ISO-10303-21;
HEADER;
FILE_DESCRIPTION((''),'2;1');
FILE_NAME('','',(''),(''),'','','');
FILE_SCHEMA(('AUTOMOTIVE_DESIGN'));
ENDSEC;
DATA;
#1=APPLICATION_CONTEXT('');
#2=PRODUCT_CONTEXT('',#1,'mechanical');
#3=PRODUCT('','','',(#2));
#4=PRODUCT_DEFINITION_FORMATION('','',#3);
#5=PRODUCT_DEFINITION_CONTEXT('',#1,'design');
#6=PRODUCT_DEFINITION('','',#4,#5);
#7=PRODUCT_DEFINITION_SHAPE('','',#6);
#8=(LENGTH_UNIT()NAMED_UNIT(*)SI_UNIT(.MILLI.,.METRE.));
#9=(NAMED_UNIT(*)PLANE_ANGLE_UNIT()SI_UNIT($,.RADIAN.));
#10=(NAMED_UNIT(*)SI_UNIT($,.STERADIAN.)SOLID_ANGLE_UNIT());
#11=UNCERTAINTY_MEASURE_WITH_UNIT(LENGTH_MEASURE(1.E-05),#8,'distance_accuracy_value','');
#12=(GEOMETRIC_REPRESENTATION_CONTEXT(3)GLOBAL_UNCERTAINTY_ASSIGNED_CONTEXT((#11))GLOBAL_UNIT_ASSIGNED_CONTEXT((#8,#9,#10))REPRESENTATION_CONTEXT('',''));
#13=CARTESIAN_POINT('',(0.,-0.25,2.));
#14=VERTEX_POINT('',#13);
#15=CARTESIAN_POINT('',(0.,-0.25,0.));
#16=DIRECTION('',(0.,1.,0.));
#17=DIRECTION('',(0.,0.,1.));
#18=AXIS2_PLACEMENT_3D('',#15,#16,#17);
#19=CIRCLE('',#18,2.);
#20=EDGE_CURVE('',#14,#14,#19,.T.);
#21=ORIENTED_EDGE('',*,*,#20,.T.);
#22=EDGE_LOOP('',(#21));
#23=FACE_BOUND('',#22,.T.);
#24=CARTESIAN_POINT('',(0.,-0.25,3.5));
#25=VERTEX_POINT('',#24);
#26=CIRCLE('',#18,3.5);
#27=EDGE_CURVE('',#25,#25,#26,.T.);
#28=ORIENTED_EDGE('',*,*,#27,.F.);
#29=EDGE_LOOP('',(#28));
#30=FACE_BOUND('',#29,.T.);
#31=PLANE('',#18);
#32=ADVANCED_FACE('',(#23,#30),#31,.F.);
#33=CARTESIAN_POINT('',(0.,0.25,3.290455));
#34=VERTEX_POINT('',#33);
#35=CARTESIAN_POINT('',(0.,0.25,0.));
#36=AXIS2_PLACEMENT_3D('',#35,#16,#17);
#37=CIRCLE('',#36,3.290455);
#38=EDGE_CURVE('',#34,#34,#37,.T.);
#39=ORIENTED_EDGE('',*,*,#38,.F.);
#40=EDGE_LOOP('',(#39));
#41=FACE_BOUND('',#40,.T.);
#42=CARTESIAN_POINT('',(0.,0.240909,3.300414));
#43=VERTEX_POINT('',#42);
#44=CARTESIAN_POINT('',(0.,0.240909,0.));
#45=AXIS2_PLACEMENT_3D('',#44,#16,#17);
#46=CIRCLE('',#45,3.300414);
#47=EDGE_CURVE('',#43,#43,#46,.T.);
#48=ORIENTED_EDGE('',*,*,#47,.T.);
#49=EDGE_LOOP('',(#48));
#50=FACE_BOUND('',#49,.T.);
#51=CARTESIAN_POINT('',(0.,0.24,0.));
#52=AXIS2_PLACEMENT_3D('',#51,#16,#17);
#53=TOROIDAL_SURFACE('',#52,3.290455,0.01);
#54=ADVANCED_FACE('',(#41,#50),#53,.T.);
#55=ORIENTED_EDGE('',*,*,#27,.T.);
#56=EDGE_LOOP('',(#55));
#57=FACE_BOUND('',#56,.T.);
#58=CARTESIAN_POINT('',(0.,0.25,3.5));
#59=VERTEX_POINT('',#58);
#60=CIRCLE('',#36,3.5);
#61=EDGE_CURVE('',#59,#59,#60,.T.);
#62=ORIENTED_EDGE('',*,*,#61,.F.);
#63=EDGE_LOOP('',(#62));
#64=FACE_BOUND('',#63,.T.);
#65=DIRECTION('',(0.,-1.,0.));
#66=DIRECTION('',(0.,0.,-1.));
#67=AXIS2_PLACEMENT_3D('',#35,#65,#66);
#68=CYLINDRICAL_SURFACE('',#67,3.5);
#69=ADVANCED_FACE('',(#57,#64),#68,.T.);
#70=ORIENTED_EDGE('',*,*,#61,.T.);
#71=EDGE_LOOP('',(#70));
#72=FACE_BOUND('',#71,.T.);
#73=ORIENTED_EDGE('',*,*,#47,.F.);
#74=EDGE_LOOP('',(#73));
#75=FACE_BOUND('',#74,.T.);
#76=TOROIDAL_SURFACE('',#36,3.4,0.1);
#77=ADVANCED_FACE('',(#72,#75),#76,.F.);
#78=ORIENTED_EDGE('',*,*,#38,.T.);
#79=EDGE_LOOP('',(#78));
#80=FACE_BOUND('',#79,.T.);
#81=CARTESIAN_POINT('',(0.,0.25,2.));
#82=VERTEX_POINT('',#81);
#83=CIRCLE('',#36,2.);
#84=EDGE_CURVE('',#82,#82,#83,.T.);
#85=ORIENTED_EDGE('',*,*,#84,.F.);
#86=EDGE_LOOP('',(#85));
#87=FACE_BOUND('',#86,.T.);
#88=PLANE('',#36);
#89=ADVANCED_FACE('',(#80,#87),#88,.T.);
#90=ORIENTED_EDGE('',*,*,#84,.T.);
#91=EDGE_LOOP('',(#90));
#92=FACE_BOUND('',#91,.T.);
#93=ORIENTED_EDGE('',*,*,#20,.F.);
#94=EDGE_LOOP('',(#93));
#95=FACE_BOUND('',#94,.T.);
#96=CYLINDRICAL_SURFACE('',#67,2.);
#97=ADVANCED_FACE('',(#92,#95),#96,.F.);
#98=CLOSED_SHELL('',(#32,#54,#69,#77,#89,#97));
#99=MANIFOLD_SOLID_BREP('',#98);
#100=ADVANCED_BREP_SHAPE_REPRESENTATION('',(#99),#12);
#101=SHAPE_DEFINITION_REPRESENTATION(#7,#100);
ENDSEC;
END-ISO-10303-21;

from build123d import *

# Parameters (mm, degrees)
DIAPROFILES_R    = 3.5
DIAPROFILES_R_2  = 2
DIAPROFILE_DEPTH = 0.25


with BuildPart() as part:
    # DiaProfileS → DiaProfile (new body, symmetric)
    with BuildSketch(Plane(origin=(0, 0, 0), x_dir=(1, 0, 0), z_dir=(0, 1, 0))):
        Circle(DIAPROFILES_R)
        Circle(DIAPROFILES_R_2, mode=Mode.SUBTRACT)
    extrude(amount=DIAPROFILE_DEPTH, both=True)

    # CrimpS → Crimp (revolve, cut)
    with BuildSketch(Plane.XY):
        with BuildLine():
            Line((-3.5, 0.25), (-3.290455488, 0.25))
            ThreePointArc((-3.290455488, 0.25), (-3.297197487, 0.247385489), (-3.30041408, 0.240909091))
            ThreePointArc((-3.30041408, 0.240909091), (-3.404550167, 0.150103574), (-3.5, 0.25))
        make_face()
    revolve(axis=Axis((0, 0.25, 0), (0, -1, 0)), mode=Mode.SUBTRACT)


solid = part.part
